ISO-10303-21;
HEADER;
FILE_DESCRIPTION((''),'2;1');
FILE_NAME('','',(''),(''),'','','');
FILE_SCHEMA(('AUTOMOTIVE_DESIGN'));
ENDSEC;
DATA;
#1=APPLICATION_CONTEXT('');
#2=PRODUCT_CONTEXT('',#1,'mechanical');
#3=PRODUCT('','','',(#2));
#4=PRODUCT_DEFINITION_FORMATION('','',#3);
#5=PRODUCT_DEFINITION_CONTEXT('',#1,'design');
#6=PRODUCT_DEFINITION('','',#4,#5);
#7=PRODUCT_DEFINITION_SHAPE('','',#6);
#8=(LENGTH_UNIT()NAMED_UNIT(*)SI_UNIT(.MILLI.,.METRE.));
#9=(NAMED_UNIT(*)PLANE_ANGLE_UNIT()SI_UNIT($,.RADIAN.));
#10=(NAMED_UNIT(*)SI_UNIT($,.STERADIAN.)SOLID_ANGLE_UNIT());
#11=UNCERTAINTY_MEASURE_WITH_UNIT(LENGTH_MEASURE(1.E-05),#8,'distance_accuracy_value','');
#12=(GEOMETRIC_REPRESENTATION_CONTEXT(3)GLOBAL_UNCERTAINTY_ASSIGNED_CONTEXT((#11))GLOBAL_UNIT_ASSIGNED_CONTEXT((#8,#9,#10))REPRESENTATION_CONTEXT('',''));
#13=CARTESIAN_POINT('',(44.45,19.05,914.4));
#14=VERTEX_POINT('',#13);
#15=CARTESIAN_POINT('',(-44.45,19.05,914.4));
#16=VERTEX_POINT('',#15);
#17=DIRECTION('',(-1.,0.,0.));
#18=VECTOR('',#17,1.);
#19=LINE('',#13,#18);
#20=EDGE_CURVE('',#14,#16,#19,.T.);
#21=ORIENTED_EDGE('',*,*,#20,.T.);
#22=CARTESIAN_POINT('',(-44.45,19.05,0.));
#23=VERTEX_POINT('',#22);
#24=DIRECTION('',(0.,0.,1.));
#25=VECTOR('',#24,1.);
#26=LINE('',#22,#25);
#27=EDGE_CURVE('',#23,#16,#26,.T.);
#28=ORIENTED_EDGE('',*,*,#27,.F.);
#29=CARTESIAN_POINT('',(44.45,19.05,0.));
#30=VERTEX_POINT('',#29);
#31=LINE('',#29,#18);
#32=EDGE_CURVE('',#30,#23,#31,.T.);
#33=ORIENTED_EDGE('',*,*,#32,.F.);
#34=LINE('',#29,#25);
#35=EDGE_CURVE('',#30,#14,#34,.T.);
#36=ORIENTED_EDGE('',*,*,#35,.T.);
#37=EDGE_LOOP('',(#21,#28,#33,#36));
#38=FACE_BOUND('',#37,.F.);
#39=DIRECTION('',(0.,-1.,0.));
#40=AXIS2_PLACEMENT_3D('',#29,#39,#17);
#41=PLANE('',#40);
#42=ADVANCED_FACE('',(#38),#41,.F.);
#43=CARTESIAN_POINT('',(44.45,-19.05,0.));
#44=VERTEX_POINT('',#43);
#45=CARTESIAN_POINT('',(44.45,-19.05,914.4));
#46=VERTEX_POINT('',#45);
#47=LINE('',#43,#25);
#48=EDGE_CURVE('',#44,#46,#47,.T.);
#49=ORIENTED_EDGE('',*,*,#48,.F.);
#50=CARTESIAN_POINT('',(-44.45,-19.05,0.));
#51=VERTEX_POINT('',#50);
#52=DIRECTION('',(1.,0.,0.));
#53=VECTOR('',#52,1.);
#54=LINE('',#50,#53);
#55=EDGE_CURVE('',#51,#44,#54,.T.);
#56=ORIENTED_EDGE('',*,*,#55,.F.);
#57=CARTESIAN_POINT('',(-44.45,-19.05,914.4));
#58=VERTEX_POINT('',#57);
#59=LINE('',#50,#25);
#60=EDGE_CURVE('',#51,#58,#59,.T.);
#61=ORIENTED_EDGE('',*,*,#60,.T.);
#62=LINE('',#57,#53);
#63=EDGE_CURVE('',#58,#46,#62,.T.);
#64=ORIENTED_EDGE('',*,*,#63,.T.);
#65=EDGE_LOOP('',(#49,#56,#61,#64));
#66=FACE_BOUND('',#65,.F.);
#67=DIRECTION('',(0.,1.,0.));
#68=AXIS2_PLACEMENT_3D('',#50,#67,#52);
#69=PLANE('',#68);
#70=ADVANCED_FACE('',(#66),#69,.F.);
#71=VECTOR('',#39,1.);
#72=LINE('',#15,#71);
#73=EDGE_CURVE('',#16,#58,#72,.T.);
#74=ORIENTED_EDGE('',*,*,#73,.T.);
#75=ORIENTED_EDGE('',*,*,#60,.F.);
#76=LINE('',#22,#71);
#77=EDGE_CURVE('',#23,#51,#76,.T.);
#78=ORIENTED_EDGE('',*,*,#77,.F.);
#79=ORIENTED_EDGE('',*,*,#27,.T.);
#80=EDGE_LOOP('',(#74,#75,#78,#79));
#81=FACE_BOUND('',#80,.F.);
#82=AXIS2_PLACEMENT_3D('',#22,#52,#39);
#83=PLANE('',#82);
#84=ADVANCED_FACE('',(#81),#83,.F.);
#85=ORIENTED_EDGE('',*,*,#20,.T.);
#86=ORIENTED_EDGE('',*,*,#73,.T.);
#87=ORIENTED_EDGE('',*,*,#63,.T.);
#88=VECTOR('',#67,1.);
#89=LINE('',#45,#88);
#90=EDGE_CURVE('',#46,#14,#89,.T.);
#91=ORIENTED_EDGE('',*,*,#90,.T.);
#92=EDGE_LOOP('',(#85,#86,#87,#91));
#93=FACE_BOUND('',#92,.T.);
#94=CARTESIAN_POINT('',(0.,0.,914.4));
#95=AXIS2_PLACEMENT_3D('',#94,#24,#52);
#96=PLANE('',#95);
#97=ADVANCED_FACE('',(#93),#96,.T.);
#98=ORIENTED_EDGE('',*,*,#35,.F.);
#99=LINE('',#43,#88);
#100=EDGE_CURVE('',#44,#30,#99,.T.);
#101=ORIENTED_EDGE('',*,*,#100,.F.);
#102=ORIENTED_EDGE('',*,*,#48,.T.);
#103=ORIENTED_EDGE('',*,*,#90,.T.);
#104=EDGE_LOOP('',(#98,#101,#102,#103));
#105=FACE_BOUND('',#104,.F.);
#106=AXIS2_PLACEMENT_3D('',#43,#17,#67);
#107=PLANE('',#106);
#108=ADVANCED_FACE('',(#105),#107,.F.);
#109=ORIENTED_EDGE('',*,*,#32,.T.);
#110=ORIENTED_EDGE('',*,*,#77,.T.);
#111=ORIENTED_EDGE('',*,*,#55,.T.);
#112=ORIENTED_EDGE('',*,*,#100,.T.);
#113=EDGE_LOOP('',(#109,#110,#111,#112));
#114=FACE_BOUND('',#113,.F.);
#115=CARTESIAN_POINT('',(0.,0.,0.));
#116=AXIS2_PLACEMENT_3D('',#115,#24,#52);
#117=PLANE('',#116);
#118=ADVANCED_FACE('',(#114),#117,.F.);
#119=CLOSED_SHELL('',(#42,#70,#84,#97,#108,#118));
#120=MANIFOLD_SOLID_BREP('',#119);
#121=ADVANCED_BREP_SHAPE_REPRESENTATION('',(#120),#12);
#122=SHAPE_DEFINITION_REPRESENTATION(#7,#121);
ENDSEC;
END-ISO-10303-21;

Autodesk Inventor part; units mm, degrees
ref_plane "YZ Plane" through (0, 0, 0) normal (1, 0, 0) x (0, 1, 0)
ref_plane "XZ Plane" through (0, 0, 0) normal (0, 1, 0) x (-1, 0, 0)
ref_plane "XY Plane" through (0, 0, 0) normal (0, 0, 1) x (1, 0, 0)
sketch "Sketch1" plane through (0, 0, 0) normal (0, 0, 1) x (1, 0, 0)
  line L0 (-44.45, -19.05) -> (44.45, -19.05)
  line L1 (44.45, -19.05) -> (44.45, 19.05)
  line L2 (44.45, 19.05) -> (-44.45, 19.05)
  line L3 (-44.45, 19.05) -> (-44.45, -19.05)
  line L4 (-44.45, -19.05) -> (44.45, 19.05) construction
  line L5 (44.45, -19.05) -> (-44.45, 19.05) construction
  point P0 (0, 0)
  dimension "d0" = 88.9
  dimension "d1" = 38.1
extrude "Extrusion1" add sketch "Sketch1" along normal blind 914.4
properties part number "2x4x36"
